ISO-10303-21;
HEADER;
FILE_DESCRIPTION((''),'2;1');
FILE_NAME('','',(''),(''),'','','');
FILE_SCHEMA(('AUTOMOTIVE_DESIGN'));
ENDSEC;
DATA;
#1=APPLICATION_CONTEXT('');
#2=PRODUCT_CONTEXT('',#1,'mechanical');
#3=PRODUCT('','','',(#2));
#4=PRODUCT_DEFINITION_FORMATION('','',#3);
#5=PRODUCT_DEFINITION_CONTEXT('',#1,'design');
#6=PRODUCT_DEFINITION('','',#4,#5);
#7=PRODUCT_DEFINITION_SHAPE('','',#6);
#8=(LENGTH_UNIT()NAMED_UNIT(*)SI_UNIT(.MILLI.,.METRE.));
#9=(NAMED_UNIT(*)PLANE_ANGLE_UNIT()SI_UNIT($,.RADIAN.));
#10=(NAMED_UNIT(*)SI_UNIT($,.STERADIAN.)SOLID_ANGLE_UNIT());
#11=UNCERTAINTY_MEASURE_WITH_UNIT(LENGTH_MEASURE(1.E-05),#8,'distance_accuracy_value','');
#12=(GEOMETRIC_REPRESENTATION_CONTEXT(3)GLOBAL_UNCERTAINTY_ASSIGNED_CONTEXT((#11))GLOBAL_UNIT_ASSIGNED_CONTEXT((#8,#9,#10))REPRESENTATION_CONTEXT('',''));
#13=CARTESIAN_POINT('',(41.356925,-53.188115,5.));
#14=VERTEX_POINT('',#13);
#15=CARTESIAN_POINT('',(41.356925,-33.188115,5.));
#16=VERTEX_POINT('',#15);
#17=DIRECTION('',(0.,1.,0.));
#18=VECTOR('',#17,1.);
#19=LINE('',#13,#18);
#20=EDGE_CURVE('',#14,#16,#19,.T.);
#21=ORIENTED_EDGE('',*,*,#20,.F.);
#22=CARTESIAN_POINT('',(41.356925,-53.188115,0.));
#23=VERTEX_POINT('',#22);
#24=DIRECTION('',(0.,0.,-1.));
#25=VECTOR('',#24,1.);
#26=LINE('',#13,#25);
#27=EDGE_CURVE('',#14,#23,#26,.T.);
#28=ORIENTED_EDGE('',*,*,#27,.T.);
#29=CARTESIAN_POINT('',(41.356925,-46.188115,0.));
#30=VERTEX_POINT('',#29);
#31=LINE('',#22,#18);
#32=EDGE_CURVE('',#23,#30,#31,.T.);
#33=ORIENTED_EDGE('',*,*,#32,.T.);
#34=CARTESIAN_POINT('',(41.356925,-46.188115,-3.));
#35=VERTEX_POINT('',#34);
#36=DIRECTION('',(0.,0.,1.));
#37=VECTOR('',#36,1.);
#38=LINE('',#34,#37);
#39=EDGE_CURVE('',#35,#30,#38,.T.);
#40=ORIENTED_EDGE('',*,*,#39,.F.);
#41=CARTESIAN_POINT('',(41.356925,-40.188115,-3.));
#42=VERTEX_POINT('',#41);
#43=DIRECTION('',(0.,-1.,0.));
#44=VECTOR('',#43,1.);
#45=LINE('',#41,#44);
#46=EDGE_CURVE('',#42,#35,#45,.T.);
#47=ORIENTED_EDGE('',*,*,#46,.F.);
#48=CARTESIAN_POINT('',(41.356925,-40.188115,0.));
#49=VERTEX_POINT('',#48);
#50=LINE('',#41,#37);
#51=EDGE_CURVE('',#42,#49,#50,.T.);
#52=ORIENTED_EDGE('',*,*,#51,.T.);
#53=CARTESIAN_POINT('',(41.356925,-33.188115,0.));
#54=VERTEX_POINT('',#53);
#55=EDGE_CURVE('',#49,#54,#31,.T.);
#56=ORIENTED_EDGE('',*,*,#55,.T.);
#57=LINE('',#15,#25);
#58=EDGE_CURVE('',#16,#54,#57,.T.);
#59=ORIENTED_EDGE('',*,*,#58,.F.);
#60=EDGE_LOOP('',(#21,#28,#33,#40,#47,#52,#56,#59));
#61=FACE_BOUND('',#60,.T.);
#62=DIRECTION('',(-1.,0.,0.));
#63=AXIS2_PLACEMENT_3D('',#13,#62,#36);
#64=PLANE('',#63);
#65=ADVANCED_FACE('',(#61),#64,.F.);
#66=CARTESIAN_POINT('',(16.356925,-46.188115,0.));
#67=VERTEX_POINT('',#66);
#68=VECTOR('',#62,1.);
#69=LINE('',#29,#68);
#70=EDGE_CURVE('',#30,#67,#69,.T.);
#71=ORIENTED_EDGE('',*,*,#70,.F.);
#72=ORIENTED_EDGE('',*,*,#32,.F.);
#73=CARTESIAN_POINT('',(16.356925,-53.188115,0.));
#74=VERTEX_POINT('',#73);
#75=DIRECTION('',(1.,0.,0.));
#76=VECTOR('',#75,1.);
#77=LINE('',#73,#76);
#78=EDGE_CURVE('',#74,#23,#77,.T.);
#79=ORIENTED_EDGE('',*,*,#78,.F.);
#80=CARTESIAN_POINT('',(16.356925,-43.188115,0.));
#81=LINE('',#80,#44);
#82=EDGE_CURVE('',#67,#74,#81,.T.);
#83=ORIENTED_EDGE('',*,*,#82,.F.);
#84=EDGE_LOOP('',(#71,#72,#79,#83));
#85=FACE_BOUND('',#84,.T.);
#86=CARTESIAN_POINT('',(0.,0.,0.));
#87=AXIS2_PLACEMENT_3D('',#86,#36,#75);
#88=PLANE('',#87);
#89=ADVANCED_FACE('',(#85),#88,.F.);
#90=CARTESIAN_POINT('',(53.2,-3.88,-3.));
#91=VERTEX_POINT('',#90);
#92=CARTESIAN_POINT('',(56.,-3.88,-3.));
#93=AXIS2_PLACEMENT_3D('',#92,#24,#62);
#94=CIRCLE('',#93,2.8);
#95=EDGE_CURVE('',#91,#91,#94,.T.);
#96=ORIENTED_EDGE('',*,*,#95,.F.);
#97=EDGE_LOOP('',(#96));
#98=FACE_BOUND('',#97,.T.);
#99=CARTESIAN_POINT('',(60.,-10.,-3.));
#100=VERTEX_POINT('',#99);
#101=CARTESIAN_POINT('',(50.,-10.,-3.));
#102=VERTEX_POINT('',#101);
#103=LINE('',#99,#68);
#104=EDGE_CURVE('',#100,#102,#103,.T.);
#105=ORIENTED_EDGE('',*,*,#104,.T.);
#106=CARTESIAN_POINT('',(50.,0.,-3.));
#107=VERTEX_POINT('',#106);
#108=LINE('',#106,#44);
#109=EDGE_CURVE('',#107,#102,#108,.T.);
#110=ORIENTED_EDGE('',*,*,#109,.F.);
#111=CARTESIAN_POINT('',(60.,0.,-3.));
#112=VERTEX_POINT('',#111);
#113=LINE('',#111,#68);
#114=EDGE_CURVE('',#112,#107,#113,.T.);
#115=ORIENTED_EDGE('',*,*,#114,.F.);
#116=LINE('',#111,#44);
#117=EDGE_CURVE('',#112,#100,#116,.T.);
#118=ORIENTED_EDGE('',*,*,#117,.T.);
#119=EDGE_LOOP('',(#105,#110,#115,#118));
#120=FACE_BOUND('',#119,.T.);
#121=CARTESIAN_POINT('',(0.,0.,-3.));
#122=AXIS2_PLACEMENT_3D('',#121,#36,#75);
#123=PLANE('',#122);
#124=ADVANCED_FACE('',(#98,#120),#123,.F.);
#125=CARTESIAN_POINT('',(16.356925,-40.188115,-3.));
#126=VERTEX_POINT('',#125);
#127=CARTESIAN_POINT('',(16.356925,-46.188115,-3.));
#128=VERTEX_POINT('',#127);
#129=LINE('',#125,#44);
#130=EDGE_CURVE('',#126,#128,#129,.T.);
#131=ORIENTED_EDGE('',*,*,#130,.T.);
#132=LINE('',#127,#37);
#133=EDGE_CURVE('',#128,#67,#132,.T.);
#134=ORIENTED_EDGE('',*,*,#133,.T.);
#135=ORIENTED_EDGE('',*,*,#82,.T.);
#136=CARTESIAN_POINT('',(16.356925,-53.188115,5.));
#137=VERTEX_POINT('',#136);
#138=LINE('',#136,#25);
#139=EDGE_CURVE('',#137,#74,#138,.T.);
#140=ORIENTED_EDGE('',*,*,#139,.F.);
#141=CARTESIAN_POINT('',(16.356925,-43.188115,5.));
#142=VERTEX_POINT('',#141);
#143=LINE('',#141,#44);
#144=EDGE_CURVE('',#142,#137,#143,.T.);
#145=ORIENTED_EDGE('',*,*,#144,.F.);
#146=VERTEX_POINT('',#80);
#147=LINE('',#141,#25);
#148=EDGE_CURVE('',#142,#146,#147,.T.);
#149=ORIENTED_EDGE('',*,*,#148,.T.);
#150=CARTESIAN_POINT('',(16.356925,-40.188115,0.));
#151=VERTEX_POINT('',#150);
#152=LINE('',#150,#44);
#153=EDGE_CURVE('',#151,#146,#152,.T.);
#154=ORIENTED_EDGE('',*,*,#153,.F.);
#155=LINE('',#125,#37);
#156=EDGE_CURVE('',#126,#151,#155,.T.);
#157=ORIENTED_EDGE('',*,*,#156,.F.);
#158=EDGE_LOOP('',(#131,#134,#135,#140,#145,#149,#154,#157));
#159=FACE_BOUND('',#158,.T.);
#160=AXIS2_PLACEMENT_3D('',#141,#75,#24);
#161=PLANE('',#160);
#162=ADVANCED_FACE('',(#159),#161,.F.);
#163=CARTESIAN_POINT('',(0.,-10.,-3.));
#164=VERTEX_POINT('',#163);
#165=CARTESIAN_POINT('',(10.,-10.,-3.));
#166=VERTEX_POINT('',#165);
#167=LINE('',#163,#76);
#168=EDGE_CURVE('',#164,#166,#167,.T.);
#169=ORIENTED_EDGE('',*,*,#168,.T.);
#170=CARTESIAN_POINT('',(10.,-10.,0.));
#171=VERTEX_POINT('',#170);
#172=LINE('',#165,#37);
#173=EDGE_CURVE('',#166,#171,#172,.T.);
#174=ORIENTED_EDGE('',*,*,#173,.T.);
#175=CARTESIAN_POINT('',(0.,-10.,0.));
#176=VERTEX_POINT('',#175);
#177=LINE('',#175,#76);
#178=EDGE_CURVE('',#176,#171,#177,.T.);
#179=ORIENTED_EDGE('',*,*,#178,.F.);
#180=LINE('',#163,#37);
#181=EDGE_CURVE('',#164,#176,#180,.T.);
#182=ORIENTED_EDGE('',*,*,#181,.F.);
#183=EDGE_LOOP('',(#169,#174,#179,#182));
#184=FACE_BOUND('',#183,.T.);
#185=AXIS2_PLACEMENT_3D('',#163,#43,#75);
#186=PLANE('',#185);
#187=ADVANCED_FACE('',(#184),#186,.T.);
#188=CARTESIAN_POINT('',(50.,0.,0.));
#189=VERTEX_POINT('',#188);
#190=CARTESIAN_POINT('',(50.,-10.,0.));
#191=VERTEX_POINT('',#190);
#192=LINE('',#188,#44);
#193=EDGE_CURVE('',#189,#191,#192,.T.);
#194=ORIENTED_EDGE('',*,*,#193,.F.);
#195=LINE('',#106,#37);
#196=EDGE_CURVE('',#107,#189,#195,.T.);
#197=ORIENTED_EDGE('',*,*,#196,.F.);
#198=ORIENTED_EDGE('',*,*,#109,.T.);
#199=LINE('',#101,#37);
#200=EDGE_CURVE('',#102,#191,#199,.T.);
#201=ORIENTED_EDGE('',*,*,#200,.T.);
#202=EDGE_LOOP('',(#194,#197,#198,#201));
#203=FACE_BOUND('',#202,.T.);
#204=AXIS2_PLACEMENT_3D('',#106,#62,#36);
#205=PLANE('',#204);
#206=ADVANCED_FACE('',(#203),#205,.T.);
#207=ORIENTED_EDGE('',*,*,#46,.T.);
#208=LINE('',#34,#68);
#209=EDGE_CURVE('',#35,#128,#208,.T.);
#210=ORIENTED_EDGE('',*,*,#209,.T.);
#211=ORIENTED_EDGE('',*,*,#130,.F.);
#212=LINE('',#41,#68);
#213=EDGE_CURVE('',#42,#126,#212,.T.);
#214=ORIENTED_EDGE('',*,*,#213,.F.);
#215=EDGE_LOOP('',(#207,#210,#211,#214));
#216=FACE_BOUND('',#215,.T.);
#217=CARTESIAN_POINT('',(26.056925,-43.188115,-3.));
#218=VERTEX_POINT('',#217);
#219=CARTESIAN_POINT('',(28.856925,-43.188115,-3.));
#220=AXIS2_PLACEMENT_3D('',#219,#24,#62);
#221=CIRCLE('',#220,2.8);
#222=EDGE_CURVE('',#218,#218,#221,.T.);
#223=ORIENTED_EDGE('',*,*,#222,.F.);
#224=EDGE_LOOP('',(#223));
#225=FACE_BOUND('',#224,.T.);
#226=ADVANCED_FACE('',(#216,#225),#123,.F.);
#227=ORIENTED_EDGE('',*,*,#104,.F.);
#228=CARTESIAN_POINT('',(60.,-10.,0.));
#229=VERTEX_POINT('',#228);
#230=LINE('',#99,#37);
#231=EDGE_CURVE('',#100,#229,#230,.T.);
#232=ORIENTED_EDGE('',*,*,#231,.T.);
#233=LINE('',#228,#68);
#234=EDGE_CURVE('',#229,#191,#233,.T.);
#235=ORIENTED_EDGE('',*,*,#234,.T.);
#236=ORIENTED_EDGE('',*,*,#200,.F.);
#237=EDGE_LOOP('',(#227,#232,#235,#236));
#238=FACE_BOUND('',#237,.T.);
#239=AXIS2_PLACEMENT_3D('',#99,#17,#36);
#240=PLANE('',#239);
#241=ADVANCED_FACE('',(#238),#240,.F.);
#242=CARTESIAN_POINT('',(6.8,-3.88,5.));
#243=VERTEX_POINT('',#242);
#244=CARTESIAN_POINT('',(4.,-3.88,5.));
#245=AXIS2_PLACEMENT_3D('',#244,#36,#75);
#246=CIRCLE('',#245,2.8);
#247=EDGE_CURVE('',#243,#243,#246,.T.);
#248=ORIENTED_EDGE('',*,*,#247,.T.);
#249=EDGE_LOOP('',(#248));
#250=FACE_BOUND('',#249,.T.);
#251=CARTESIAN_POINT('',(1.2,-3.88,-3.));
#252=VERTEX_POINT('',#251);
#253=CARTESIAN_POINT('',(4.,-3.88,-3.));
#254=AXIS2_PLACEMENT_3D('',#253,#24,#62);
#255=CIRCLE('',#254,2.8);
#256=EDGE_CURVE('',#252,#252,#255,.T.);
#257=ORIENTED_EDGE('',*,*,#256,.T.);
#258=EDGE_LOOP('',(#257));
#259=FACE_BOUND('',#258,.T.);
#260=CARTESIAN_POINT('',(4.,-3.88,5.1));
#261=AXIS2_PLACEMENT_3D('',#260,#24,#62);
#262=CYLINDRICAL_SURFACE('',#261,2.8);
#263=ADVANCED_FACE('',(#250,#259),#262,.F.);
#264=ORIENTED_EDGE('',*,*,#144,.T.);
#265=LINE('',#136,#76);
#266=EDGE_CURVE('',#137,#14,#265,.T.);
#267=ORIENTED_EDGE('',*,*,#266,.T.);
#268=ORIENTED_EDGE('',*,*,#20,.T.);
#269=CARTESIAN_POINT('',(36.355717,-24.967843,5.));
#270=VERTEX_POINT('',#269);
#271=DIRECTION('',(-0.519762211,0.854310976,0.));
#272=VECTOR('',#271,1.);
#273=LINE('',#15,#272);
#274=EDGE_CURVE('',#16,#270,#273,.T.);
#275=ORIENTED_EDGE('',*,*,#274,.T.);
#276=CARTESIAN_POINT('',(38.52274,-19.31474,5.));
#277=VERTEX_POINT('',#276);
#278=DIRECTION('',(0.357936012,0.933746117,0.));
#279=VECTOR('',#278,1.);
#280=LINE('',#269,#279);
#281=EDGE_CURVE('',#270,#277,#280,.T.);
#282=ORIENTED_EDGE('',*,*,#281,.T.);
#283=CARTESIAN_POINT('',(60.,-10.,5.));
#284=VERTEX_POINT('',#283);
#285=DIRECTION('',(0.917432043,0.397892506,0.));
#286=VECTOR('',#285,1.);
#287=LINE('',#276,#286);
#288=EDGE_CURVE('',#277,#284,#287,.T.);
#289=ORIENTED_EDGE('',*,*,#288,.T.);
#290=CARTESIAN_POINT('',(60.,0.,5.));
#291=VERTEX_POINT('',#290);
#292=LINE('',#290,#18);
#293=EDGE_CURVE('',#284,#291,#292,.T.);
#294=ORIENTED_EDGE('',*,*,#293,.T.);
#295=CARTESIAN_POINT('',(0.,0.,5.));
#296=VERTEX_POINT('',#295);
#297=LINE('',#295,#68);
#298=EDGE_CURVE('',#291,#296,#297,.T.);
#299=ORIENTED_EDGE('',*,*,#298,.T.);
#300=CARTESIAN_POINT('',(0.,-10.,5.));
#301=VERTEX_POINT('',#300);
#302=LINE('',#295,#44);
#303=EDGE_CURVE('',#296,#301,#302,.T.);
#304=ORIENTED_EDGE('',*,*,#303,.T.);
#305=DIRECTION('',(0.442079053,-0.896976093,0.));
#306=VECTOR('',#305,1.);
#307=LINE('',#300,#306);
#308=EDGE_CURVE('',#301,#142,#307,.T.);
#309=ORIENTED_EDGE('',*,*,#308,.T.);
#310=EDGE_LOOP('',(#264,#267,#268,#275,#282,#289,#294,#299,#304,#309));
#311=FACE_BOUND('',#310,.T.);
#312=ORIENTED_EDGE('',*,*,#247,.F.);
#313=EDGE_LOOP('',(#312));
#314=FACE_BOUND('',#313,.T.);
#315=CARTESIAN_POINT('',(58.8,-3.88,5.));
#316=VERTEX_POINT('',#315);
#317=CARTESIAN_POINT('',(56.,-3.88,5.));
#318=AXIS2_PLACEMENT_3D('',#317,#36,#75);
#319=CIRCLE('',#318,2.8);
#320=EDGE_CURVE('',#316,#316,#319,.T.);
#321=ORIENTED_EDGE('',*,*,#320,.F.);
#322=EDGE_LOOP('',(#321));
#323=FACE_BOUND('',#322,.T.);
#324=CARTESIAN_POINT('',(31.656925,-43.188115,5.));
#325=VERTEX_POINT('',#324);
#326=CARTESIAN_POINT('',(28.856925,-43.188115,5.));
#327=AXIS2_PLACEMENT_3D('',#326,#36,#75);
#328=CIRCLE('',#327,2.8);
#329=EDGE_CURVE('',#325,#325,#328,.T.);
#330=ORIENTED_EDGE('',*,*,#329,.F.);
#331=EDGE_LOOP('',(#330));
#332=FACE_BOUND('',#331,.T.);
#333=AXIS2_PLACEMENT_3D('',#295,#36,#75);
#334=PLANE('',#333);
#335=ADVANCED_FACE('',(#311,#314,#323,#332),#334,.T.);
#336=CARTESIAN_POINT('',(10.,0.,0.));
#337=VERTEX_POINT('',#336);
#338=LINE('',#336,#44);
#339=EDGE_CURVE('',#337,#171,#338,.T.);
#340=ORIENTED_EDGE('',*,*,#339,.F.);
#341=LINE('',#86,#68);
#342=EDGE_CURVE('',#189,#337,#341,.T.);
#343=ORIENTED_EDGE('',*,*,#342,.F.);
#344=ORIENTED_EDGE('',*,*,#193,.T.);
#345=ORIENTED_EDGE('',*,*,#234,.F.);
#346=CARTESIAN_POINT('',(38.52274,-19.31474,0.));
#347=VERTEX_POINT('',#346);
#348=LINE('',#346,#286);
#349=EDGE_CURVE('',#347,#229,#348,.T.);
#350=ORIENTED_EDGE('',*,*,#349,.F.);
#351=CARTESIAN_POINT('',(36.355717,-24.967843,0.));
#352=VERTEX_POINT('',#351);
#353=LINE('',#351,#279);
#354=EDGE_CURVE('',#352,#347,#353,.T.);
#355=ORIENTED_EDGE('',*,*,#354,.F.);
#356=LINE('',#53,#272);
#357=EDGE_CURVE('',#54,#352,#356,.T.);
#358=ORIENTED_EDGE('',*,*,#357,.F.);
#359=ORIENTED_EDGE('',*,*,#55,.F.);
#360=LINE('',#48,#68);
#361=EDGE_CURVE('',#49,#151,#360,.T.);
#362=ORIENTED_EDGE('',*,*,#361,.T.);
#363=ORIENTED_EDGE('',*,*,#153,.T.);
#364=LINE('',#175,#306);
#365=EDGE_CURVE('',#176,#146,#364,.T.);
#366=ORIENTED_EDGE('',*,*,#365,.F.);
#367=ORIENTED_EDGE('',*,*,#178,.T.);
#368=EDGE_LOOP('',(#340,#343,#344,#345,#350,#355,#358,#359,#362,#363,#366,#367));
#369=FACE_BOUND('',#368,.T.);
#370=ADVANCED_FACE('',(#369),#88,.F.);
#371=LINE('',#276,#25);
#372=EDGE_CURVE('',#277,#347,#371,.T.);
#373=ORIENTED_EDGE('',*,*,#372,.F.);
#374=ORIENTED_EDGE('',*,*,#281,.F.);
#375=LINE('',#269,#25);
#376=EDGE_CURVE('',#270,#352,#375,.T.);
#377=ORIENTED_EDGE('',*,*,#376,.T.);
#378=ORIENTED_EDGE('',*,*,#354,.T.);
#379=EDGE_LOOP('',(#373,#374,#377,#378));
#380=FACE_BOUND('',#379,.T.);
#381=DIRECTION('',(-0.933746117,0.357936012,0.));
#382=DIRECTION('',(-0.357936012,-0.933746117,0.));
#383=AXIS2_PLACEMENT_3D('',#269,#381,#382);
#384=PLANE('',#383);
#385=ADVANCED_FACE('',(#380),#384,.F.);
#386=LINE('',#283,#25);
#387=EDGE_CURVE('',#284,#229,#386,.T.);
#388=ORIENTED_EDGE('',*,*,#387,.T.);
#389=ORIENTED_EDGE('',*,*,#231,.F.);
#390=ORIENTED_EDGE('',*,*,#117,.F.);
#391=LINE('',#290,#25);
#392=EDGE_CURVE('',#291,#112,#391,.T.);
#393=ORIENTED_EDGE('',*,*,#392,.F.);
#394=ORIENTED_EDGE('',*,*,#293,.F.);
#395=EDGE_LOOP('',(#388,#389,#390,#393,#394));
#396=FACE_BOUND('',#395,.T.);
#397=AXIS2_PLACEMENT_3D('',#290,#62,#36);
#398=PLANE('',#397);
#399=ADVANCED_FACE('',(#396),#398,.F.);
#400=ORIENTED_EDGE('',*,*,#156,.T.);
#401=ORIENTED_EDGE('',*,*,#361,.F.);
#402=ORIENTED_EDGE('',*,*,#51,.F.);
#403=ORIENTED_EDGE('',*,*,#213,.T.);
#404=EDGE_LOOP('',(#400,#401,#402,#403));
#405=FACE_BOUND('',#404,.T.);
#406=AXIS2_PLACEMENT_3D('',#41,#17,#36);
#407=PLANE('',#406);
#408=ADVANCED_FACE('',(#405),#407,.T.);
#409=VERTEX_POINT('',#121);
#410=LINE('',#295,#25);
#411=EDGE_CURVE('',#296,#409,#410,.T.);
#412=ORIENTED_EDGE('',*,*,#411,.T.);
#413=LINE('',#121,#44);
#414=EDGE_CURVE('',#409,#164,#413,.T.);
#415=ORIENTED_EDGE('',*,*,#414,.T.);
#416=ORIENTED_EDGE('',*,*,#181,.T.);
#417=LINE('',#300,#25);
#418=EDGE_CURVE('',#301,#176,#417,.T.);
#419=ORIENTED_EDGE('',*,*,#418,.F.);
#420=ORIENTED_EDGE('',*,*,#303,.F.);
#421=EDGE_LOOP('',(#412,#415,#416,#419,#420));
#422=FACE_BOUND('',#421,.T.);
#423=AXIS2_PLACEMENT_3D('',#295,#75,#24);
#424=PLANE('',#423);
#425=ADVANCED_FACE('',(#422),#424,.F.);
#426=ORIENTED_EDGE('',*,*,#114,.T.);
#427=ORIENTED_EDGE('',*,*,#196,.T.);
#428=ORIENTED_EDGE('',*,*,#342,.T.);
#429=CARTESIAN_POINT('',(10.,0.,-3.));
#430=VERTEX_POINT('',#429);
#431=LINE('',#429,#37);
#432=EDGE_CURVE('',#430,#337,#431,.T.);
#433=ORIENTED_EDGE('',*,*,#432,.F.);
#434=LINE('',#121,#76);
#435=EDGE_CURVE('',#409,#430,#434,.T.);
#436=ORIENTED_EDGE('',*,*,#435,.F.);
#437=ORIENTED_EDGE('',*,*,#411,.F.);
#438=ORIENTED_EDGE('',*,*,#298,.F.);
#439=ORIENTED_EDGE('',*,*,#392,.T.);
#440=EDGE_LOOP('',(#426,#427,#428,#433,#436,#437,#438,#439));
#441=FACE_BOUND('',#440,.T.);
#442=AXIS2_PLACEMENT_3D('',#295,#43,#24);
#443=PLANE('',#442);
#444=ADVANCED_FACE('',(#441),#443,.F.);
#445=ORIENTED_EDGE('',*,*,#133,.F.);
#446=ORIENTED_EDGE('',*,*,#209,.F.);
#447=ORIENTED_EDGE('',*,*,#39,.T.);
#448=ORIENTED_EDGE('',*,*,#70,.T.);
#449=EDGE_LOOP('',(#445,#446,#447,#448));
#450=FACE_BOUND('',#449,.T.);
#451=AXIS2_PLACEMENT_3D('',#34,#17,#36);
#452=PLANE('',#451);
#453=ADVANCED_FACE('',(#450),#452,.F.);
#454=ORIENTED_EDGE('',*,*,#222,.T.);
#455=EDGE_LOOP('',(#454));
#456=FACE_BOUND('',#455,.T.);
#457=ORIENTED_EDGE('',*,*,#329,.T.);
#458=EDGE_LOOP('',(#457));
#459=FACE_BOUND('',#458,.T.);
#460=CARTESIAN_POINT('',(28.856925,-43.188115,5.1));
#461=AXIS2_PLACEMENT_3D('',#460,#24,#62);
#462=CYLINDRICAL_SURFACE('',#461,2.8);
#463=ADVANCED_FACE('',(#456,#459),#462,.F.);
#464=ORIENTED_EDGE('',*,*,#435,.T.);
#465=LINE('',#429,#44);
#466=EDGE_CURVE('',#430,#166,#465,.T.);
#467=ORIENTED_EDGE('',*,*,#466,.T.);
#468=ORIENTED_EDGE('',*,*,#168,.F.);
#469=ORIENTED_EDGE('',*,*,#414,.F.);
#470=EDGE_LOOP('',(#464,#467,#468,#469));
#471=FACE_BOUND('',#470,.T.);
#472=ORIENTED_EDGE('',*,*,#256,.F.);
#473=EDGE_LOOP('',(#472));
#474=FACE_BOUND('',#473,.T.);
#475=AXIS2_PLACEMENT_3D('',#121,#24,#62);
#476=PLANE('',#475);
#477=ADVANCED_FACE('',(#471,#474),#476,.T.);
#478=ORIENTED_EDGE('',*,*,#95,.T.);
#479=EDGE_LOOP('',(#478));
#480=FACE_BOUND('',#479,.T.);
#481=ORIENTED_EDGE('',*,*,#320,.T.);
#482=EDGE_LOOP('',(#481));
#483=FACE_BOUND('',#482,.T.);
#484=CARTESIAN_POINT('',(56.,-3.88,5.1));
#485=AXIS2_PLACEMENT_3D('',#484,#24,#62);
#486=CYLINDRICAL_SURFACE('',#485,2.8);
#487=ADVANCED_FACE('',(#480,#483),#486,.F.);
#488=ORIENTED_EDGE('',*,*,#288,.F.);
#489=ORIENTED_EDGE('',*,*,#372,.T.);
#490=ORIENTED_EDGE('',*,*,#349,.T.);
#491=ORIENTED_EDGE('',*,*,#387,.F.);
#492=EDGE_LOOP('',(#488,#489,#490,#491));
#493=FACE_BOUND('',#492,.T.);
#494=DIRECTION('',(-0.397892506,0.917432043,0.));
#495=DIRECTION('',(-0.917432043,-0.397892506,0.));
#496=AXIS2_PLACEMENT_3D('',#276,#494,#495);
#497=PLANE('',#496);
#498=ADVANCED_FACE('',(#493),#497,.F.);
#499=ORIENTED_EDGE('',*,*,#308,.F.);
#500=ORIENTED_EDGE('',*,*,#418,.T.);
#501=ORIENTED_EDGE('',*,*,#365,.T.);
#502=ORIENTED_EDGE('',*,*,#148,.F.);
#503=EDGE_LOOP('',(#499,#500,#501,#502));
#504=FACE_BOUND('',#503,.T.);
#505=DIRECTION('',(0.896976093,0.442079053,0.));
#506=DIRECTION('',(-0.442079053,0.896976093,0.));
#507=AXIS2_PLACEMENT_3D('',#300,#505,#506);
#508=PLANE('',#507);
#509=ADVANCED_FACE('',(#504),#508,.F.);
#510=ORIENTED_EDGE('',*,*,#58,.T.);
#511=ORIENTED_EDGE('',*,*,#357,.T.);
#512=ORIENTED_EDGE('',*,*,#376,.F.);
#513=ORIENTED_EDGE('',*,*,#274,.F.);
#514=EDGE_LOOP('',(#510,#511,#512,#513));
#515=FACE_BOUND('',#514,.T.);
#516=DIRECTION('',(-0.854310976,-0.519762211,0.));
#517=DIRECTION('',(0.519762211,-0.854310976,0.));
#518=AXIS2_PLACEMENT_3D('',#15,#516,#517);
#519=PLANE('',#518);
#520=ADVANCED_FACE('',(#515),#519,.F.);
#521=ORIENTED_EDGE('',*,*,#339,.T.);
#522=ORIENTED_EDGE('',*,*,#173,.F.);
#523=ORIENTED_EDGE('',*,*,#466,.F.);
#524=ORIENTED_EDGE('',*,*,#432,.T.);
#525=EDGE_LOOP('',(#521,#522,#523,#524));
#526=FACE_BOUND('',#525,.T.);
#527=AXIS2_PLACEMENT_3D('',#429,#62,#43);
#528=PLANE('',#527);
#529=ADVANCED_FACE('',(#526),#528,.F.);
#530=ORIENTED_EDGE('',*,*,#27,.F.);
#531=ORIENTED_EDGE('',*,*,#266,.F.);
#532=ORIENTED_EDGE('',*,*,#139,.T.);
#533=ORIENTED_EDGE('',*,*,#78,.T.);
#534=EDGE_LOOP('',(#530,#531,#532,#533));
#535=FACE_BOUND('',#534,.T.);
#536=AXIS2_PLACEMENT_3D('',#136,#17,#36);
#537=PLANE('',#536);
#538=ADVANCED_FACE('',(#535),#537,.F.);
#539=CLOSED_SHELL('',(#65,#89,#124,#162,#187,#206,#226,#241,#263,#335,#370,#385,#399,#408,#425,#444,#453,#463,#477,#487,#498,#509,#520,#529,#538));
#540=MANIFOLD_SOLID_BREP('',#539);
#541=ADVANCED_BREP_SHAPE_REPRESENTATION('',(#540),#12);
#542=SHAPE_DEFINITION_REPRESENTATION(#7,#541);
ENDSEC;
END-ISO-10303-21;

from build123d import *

# Parameters (mm, degrees)
BOSS_EXTRU_1_DEPTH      = 5
ESQUISSE2_W             = 10
ESQUISSE2_H             = 10
ESQUISSE2_W_2           = 25
ESQUISSE2_H_2           = 6
BOSS_EXTRU_2_DEPTH      = 3
ESQUISSE3_R             = 2.8
ENL_V_MAT_EXTRU_3_DEPTH = 8.1


with BuildPart() as part:
    # Esquisse1 → Boss.-Extru.1 (new body)
    with BuildSketch(Plane.XY):
        Polygon((0, 0), (60, 0), (60, -10), (38.522739923, -19.314739888), (36.355716988, -24.967843196), (41.356924968, -33.188115427), (41.356924968, -53.188115427), (16.356924968, -53.188115427), (16.356924968, -43.188115427), (0, -10), align=None)
    extrude(amount=BOSS_EXTRU_1_DEPTH)

    # Esquisse2 → Boss.-Extru.2 (add)
    with BuildSketch(Plane(origin=(0, 0, 0), x_dir=(-1, 0, 0), z_dir=(0, 0, -1))):
        with Locations((-55, -5)):
            Rectangle(ESQUISSE2_W, ESQUISSE2_H)
        with Locations((-5, -5)):
            Rectangle(ESQUISSE2_W, ESQUISSE2_H)
        with Locations((-28.856924968, -43.188115427)):
            Rectangle(ESQUISSE2_W_2, ESQUISSE2_H_2)
    extrude(amount=BOSS_EXTRU_2_DEPTH)

    # Esquisse3 → Enlèv. mat.-Extru.3 (cut)
    with BuildSketch(Plane(origin=(0, 0, -3), x_dir=(-1, 0, 0), z_dir=(0, 0, -1))):
        with Locations((-56, -3.88)):
            Circle(ESQUISSE3_R)
        with Locations((-4, -3.88)):
            Circle(ESQUISSE3_R)
        with Locations((-28.856924968, -43.188115427)):
            Circle(ESQUISSE3_R)
    extrude(amount=-ENL_V_MAT_EXTRU_3_DEPTH, mode=Mode.SUBTRACT)


solid = part.part
